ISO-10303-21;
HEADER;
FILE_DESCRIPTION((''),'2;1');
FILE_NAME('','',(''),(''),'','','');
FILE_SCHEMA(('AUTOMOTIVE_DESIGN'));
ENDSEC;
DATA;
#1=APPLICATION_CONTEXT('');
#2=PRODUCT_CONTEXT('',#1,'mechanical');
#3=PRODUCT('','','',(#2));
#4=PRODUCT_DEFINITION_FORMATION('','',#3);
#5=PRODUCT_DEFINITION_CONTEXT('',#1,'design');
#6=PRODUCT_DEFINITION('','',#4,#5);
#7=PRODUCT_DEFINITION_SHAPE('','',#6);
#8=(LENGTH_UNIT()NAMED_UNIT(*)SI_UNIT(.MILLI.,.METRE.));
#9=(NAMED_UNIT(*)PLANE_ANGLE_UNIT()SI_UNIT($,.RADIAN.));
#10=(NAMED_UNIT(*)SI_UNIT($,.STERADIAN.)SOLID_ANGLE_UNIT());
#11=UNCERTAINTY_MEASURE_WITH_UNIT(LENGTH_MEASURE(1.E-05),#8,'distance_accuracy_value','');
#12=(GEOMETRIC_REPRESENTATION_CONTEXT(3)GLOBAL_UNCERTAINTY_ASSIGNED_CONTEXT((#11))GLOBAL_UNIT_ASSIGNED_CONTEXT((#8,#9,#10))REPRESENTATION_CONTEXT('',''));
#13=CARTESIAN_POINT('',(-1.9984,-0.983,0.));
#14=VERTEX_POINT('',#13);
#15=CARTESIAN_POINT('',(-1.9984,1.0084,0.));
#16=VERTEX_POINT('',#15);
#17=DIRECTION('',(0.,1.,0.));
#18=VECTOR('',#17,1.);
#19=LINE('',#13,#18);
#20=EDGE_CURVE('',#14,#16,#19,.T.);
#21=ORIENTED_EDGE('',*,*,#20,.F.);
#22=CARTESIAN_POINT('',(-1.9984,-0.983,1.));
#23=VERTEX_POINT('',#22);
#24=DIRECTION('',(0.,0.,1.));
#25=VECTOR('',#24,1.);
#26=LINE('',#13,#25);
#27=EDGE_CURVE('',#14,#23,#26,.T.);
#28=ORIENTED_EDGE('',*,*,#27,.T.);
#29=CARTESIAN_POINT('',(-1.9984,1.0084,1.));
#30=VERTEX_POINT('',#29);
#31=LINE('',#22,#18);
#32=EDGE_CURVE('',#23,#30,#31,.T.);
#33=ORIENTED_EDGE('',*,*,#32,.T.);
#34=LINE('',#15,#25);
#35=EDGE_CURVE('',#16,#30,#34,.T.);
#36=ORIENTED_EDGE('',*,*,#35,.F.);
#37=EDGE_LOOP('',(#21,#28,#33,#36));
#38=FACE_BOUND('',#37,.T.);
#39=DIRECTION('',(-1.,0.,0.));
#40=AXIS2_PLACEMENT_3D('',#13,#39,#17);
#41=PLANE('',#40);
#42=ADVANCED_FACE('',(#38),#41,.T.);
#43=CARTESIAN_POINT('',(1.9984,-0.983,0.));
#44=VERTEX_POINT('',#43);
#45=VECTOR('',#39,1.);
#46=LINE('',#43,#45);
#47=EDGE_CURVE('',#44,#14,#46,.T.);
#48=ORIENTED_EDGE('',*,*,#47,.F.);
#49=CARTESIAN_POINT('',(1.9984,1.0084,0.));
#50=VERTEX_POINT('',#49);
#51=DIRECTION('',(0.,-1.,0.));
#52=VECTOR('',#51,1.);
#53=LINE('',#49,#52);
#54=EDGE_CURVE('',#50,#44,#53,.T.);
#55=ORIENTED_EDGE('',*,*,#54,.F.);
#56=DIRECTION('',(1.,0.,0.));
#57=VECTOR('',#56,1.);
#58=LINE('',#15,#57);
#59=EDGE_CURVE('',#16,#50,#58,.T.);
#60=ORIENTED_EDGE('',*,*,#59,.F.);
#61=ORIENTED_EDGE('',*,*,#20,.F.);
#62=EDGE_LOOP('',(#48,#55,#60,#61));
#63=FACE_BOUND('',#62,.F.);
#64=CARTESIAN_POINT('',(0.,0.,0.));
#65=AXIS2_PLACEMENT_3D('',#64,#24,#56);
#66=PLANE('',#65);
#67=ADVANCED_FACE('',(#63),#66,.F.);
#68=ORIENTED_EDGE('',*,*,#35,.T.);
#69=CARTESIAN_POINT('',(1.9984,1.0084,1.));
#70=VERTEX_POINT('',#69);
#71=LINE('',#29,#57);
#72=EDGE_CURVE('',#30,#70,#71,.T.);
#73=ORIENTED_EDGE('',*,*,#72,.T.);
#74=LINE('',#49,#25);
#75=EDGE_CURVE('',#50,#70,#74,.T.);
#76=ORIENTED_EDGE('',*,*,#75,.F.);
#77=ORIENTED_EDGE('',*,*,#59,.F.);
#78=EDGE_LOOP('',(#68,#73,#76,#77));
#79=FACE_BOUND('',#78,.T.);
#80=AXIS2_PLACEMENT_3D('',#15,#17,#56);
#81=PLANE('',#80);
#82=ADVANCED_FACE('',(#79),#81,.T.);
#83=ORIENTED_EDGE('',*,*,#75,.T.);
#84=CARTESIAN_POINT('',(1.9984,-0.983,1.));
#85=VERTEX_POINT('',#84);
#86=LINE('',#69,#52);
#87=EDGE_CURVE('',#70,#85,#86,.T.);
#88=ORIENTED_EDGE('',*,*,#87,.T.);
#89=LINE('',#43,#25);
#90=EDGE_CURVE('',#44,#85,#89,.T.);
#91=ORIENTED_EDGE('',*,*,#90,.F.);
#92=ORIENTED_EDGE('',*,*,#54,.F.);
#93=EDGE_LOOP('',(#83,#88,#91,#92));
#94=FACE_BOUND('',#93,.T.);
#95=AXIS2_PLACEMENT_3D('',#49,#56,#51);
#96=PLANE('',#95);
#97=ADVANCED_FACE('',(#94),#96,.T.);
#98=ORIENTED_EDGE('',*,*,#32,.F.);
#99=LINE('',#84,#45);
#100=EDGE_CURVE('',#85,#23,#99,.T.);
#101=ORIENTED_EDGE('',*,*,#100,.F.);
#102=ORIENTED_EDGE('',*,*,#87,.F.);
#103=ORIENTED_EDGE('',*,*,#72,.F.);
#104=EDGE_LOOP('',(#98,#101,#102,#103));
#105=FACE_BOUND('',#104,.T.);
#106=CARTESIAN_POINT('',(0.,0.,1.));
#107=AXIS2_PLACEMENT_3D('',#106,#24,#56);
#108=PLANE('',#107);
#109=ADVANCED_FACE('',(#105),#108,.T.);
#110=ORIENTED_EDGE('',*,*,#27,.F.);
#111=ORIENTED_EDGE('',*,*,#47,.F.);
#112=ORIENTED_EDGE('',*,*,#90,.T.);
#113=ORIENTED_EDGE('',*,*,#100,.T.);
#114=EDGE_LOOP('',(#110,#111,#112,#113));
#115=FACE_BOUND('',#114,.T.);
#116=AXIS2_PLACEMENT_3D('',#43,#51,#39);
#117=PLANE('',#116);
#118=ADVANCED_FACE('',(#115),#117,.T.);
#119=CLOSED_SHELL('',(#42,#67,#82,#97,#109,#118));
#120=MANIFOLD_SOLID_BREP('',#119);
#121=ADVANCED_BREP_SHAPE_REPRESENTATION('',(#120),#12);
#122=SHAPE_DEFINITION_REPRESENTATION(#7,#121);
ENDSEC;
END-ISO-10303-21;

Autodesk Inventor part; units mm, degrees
ref_plane "YZ Plane" through (0, 0, 0) normal (1, 0, 0) x (0, 1, 0)
ref_plane "XZ Plane" through (0, 0, 0) normal (0, 1, 0) x (-1, 0, 0)
ref_plane "XY Plane" through (0, 0, 0) normal (0, 0, 1) x (1, 0, 0)
sketch "C0805, 10UF_1" plane through (0, 0, 0) normal (0, 0, 1) x (1, 0, 0)
  line L0 (-1.9984, 1.0084) -> (1.9984, 1.0084)
  line L1 (1.9984, 1.0084) -> (1.9984, -0.983)
  line L2 (1.9984, -0.983) -> (-1.9984, -0.983)
  line L3 (-1.9984, -0.983) -> (-1.9984, 1.0084)
extrude "Extrusion1" add sketch "C0805, 10UF_1" along normal blind 1
properties part number "10UF"
